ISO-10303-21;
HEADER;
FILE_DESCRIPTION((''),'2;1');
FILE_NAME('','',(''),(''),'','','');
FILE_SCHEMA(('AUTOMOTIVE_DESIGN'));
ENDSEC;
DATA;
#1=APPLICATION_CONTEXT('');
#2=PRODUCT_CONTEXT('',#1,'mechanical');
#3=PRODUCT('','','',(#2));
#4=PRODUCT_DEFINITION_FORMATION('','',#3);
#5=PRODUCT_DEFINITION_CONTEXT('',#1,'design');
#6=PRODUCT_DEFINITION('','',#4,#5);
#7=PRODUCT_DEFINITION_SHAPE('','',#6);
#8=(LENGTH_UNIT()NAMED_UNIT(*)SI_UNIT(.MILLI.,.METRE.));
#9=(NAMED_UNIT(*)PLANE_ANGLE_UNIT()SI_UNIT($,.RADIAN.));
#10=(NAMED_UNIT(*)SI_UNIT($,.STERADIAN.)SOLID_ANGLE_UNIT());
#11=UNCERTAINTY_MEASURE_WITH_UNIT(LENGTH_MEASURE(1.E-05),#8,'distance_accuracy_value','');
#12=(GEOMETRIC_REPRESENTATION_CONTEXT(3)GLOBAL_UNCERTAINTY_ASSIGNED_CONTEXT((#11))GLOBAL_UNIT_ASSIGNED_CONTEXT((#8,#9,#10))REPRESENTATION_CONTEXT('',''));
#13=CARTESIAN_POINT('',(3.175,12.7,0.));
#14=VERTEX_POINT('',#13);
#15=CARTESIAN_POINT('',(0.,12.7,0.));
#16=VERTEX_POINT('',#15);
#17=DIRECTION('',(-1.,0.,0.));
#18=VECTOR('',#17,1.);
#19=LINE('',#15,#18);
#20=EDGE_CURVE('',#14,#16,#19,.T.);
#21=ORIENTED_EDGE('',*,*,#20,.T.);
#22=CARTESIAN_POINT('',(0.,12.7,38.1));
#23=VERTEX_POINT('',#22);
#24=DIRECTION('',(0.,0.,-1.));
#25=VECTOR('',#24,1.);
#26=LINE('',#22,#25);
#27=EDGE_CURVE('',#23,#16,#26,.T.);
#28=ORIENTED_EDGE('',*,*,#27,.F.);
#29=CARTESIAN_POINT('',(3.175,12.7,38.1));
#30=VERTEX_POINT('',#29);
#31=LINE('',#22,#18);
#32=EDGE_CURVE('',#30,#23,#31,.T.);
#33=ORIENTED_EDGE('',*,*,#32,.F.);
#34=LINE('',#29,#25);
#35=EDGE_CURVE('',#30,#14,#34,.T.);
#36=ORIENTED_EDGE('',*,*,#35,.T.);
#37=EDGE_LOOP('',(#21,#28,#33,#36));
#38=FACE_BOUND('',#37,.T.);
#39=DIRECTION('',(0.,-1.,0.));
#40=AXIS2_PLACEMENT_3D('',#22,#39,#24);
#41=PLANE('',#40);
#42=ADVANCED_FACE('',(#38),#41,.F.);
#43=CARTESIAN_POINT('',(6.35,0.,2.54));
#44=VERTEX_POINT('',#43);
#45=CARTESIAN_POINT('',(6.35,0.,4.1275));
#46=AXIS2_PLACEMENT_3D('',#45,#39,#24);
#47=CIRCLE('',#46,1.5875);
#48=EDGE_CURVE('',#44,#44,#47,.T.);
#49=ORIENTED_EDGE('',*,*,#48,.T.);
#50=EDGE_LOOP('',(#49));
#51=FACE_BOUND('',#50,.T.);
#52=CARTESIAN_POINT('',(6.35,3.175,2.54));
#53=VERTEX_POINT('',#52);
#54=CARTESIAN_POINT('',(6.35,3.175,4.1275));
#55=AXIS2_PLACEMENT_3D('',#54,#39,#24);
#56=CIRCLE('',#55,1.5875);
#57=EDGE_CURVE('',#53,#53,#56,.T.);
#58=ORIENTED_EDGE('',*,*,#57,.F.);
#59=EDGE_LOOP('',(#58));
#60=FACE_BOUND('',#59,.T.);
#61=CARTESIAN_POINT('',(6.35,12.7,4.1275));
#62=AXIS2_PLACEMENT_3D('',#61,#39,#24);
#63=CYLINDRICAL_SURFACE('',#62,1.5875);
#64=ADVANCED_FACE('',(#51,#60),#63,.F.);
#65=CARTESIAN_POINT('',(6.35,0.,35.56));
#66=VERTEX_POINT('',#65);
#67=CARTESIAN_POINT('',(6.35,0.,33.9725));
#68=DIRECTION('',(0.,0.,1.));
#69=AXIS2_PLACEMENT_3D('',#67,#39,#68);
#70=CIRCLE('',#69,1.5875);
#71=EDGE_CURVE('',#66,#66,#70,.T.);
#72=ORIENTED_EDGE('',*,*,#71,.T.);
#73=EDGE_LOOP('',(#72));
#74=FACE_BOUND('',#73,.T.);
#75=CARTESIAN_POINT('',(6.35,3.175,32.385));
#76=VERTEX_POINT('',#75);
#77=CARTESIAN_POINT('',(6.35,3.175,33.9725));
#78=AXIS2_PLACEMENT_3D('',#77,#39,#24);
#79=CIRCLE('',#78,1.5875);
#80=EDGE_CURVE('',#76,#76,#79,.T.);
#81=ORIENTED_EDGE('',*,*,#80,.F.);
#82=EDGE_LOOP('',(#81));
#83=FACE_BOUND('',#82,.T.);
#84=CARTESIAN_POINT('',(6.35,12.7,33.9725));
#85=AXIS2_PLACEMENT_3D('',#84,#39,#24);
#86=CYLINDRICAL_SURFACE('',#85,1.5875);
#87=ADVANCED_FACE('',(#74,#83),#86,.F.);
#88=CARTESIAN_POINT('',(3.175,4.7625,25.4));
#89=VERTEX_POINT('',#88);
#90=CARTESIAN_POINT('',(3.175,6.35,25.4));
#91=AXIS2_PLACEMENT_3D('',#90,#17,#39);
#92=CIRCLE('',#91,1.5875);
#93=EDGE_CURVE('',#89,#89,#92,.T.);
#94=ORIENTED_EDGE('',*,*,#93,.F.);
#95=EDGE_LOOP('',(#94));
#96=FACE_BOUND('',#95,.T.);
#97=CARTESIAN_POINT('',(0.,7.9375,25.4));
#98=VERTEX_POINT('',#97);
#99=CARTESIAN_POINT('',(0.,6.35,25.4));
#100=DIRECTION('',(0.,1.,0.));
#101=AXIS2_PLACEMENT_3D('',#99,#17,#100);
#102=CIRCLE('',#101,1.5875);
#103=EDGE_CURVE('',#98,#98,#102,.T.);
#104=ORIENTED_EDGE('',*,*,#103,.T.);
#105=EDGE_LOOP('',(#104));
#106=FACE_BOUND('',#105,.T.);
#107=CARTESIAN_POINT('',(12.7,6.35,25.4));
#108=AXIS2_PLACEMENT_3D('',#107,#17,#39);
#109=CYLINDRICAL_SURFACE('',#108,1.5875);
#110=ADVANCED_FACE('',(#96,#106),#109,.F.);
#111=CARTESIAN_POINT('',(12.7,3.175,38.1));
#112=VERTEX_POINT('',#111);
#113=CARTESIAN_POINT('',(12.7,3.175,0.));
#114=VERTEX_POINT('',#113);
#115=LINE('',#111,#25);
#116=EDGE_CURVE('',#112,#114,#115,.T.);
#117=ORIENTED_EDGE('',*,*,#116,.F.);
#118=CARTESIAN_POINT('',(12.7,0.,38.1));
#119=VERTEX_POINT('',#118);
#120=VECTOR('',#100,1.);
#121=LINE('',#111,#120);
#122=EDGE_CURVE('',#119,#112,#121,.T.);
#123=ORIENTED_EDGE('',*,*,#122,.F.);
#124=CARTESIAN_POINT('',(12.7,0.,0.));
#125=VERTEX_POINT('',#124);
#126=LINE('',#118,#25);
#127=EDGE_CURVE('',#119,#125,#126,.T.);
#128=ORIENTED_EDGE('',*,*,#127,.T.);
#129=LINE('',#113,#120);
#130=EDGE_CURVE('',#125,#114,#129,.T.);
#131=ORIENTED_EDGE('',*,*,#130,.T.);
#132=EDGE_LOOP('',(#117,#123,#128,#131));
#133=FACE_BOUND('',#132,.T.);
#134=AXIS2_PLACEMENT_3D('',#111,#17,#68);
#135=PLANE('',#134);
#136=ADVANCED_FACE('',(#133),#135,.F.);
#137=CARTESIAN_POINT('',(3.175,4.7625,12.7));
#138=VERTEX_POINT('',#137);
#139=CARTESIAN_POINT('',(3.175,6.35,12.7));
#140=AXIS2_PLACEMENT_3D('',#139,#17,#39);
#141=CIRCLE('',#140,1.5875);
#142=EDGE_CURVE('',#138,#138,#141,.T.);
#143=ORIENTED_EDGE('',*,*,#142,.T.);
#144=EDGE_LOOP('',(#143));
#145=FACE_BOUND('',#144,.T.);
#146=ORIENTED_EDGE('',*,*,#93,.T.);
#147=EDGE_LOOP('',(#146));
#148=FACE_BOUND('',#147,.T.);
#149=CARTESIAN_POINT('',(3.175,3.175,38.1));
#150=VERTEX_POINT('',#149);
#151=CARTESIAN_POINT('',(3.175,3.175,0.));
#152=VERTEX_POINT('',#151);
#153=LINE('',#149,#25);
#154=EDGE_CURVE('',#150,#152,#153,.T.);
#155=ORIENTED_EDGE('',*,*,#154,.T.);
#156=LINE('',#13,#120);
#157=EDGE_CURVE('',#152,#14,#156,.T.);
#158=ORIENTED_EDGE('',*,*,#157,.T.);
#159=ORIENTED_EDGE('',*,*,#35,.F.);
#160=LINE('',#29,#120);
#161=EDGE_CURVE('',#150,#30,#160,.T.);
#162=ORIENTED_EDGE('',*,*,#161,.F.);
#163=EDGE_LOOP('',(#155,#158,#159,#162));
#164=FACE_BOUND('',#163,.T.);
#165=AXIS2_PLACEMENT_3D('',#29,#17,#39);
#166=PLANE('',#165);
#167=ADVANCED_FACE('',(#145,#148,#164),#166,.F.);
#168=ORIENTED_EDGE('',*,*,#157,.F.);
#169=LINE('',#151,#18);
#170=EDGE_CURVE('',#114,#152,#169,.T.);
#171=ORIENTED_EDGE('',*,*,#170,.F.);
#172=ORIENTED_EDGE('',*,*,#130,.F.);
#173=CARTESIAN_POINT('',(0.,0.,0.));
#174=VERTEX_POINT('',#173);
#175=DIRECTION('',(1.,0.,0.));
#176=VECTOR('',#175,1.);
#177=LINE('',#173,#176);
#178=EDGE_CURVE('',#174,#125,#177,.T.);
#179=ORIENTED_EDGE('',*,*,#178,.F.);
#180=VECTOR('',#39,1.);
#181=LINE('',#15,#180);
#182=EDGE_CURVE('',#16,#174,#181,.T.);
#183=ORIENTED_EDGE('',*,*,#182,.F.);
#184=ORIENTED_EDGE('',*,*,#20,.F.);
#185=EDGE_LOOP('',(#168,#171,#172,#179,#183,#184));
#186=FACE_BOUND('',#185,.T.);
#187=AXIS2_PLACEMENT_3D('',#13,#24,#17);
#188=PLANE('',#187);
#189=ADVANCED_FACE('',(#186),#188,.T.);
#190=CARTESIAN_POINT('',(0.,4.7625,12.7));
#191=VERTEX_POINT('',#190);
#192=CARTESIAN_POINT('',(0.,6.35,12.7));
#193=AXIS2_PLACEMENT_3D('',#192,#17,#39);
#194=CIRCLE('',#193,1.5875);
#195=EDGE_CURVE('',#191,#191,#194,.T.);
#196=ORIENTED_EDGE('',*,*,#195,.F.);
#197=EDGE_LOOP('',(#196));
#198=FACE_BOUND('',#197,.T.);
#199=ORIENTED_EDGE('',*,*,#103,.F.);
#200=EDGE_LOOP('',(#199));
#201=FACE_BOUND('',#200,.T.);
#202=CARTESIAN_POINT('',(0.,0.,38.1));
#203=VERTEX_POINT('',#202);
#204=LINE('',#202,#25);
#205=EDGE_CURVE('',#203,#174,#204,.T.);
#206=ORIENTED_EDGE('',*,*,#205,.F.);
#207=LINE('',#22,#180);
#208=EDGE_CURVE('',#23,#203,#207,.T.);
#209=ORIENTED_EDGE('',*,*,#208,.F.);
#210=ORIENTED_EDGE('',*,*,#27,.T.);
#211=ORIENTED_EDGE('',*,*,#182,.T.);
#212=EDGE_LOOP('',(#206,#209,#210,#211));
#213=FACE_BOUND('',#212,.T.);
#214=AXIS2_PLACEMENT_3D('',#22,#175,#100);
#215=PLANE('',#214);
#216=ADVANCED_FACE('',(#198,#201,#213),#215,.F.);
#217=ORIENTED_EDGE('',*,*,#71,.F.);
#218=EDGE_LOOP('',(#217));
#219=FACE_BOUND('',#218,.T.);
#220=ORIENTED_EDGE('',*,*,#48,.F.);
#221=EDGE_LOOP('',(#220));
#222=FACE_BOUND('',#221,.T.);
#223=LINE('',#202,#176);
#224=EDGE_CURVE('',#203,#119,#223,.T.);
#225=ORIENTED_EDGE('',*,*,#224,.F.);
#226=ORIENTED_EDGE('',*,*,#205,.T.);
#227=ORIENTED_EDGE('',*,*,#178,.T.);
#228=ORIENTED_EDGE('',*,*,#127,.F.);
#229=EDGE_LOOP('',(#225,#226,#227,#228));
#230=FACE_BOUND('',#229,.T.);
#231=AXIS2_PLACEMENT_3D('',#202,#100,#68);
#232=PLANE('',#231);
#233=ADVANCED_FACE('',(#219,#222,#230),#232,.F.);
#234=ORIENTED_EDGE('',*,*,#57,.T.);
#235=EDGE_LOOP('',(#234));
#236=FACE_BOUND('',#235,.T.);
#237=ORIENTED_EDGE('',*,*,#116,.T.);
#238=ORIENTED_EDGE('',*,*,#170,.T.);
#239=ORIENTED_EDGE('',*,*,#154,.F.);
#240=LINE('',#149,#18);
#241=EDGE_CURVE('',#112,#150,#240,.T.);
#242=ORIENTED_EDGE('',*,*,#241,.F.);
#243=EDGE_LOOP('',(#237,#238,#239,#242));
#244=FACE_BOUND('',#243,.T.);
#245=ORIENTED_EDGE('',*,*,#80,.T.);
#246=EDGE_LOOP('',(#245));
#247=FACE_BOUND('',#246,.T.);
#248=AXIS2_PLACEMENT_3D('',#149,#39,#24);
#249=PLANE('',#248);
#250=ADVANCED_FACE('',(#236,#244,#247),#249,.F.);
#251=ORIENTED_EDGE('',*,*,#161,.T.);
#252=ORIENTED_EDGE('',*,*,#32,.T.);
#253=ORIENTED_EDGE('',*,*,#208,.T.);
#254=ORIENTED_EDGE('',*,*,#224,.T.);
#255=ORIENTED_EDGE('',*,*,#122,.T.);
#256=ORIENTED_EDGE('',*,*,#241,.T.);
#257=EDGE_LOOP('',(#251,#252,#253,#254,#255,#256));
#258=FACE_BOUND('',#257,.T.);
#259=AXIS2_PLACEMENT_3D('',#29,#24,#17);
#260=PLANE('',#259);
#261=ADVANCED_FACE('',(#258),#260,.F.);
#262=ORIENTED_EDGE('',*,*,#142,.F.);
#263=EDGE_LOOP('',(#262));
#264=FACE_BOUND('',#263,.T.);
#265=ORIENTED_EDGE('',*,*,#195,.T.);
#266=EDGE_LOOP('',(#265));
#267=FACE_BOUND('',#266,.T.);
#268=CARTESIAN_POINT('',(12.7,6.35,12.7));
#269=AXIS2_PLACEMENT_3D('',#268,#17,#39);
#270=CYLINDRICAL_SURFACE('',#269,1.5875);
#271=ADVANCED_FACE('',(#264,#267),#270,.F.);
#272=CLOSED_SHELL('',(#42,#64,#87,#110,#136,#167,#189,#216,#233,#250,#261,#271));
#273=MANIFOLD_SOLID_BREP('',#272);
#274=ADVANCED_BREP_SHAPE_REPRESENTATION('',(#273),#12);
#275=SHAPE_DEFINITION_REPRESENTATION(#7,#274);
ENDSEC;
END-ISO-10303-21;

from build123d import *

# Parameters (mm, degrees)
BOSS_EXTRUDE1_DEPTH = 38.1
SKETCH2_R           = 1.5875
CUT_EXTRUDE1_DEPTH  = 43.121134838
SKETCH3_R           = 1.5875
CUT_EXTRUDE2_DEPTH  = 43.121134838


with BuildPart() as part:
    # Sketch1 → Boss-Extrude1 (new body)
    with BuildSketch(Plane.XY):
        Polygon((0, 12.7), (0, 0), (12.7, 0), (12.7, 3.175), (3.175, 3.175), (3.175, 12.7), align=None)
    extrude(amount=BOSS_EXTRUDE1_DEPTH)

    # Sketch2 → Cut-Extrude1 (cut, through all)
    with BuildSketch(Plane.ZY):
        with Locations(Location((12.7, 6.35, 0), (0, 0, 270))):
            Circle(SKETCH2_R)
        with Locations(Location((25.4, 6.35, 0), (0, 0, 270))):
            Circle(SKETCH2_R)
    extrude(amount=-CUT_EXTRUDE1_DEPTH, mode=Mode.SUBTRACT)

    # Sketch3 → Cut-Extrude2 (cut, through all)
    with BuildSketch(Plane.XZ):
        with Locations(Location((6.35, 4.1275, 0), (0, 0, 270))):
            Circle(SKETCH3_R)
        with Locations(Location((6.35, 33.9725, 0), (0, 0, 270))):
            Circle(SKETCH3_R)
    extrude(amount=-CUT_EXTRUDE2_DEPTH, mode=Mode.SUBTRACT)


solid = part.part
